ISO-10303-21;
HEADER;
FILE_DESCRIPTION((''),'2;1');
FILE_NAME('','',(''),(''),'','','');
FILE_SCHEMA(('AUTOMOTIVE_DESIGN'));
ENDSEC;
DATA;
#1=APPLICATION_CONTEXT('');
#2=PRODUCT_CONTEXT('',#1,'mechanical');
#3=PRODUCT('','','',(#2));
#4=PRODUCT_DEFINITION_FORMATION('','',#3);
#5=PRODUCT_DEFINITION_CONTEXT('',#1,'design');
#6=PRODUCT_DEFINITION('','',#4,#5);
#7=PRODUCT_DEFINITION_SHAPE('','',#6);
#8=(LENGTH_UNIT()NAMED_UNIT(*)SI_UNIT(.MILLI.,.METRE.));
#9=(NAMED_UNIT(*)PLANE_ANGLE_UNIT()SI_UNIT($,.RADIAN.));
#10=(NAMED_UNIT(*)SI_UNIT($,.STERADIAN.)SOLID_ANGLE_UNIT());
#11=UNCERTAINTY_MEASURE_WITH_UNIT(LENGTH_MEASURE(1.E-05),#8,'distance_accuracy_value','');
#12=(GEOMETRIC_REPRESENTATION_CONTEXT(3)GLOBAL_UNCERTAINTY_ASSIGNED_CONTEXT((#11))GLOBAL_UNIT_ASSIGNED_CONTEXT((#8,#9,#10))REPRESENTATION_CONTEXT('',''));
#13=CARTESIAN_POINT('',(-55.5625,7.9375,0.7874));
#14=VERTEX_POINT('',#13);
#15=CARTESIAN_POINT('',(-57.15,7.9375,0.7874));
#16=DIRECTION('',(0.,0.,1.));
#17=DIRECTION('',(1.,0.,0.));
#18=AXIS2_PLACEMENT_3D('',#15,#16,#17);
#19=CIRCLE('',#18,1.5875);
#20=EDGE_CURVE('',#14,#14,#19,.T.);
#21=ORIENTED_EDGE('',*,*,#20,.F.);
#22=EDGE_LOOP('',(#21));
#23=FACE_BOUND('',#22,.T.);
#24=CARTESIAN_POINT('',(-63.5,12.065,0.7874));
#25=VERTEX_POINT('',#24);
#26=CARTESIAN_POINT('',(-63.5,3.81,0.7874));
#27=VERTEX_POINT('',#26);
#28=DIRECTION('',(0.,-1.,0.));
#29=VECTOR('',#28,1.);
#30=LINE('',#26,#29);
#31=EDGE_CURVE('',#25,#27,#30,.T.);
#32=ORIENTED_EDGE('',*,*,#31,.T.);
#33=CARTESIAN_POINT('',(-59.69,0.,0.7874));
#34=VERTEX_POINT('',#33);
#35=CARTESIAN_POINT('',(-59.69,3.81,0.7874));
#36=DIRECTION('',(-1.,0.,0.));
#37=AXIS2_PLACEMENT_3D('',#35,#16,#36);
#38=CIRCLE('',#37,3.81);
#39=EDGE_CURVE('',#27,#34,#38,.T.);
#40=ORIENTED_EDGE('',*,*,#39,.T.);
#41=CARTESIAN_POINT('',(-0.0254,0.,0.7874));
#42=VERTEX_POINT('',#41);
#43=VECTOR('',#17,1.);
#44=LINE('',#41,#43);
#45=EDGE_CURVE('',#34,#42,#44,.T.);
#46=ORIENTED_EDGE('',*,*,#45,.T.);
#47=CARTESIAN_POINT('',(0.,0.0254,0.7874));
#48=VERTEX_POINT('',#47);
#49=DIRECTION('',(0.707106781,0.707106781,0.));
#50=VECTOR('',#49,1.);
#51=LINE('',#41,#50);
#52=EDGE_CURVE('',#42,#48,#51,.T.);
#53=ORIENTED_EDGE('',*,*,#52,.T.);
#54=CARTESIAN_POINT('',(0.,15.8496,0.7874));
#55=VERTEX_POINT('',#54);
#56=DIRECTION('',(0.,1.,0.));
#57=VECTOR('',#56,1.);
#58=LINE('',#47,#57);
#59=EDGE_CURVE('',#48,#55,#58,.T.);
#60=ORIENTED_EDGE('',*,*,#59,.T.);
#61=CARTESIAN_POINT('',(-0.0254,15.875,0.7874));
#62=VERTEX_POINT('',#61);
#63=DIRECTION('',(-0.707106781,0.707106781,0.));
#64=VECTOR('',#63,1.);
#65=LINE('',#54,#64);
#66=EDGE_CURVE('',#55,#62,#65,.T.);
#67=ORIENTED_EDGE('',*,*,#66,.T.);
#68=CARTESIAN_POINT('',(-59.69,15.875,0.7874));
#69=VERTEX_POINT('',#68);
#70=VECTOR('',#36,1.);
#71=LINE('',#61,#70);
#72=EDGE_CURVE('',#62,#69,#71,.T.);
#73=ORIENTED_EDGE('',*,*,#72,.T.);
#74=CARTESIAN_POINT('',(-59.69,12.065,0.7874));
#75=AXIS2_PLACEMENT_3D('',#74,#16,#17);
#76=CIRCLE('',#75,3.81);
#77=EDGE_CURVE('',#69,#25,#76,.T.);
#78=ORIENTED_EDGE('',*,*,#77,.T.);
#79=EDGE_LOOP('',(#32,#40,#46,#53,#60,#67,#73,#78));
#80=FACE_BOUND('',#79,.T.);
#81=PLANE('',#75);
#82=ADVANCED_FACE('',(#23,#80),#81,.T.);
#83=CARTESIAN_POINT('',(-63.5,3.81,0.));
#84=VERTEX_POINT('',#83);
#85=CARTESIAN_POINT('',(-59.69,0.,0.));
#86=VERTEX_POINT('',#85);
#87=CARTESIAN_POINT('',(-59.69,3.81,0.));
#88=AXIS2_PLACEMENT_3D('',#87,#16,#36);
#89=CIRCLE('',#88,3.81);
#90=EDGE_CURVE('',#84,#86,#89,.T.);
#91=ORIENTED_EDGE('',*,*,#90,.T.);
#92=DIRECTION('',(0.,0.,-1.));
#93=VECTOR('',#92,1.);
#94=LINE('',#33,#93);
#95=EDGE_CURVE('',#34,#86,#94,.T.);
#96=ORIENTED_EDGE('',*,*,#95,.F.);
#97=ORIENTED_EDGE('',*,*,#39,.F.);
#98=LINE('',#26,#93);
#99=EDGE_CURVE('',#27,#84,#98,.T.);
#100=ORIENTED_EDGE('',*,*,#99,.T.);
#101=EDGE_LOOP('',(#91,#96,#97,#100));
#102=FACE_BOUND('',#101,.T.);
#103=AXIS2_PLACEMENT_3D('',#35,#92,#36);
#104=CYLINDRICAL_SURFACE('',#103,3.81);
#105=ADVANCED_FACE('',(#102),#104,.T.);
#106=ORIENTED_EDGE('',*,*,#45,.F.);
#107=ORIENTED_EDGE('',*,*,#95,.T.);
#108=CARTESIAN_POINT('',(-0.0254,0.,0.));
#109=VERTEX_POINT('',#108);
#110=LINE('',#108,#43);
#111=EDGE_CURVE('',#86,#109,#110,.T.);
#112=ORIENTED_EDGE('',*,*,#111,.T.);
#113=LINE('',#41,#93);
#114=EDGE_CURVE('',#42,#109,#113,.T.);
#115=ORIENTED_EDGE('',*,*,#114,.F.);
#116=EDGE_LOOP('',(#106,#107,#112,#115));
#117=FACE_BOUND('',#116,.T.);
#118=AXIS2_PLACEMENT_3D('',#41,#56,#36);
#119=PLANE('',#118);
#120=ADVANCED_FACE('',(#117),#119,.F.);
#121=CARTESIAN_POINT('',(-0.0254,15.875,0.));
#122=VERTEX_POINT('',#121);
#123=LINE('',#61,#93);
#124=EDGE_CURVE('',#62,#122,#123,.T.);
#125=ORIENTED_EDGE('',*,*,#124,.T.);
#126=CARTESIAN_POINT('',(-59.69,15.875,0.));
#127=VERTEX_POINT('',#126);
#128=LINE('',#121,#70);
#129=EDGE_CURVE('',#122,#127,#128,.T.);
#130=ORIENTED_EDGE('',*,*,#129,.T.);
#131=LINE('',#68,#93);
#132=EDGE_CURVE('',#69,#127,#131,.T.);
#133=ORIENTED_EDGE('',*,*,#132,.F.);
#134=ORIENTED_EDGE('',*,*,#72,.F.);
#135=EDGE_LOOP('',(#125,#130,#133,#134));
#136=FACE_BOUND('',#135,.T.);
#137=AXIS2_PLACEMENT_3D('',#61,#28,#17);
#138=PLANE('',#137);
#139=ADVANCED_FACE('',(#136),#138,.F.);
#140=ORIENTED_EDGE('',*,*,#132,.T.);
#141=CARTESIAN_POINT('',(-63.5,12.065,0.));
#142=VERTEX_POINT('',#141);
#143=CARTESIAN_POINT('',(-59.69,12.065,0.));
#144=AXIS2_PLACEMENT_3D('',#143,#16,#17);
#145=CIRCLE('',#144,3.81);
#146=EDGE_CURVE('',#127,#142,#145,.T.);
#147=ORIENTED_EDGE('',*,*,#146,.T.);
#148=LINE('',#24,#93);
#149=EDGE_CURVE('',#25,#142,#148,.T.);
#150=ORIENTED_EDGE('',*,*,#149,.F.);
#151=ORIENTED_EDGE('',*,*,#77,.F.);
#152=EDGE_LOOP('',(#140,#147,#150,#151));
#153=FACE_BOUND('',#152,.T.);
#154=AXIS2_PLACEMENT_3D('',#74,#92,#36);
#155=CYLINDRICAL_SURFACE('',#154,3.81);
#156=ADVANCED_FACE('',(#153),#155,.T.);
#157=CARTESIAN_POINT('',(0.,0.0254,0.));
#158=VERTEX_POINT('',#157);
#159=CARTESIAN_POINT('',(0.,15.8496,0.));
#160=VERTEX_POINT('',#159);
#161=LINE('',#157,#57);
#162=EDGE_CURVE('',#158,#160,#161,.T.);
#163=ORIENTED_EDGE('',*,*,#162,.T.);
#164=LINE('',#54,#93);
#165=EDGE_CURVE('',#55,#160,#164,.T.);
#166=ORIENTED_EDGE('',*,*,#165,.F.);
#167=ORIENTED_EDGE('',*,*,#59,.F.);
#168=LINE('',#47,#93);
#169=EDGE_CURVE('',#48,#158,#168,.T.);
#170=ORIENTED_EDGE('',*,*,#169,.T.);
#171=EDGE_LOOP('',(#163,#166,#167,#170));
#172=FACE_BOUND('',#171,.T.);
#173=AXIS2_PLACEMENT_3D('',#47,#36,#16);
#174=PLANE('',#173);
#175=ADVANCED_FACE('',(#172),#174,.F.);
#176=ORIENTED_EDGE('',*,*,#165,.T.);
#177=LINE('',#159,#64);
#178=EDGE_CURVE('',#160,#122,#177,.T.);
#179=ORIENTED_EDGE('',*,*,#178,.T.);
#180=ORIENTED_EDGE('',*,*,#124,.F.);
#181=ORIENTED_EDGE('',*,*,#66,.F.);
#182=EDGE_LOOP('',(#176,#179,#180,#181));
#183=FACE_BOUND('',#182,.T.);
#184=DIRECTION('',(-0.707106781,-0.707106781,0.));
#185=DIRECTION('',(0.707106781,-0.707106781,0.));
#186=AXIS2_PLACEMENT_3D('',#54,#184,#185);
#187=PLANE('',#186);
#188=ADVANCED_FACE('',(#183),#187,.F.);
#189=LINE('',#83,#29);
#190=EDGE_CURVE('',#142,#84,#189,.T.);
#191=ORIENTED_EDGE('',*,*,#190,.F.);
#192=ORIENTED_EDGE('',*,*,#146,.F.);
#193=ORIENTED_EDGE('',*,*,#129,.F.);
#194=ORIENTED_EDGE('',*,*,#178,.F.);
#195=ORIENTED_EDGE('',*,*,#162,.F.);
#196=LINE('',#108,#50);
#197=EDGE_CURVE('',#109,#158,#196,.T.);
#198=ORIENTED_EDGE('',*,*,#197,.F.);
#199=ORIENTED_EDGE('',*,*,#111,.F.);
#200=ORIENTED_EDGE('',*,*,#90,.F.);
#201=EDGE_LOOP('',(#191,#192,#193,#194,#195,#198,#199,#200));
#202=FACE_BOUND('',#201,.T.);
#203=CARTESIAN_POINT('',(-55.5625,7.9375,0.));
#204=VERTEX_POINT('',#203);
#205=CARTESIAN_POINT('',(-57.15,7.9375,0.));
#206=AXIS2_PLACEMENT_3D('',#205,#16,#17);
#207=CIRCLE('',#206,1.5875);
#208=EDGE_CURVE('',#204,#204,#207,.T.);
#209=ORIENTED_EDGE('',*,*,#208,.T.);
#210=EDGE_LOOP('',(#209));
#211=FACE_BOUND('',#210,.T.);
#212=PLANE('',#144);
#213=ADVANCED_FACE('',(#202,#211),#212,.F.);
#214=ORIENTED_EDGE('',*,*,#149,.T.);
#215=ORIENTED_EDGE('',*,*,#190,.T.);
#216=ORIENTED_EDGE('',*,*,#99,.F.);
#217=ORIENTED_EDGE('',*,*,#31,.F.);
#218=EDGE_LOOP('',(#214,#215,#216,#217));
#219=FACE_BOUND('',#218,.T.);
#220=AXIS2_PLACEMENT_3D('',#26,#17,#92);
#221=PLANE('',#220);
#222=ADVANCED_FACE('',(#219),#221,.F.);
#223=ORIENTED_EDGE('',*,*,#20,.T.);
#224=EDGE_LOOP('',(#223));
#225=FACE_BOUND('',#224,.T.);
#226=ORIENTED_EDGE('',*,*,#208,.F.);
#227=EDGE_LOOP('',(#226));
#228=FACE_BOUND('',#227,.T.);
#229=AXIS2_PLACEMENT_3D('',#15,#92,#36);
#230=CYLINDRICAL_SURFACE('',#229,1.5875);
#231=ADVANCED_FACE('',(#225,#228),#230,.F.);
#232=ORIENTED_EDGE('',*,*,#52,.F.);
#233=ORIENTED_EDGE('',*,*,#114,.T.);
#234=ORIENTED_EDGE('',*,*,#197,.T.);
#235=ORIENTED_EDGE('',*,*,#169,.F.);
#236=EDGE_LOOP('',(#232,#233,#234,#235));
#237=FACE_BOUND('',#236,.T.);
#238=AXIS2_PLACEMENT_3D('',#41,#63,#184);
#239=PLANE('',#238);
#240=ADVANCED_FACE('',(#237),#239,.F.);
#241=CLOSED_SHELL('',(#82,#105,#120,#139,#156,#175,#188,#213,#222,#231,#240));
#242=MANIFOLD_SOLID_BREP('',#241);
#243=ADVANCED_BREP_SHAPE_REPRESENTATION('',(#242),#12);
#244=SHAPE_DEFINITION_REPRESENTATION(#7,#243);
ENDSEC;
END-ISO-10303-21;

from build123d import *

# Parameters (mm, degrees)
SKETCH1_R      = 1.5875
EXTRUDE1_DEPTH = 0.7874


with BuildPart() as part:
    # Sketch1 → Extrude1 (new body)
    with BuildSketch(Plane.XY):
        with BuildLine():
            Line((0, 15.8496), (-0.0254, 15.875))
            Line((-0.0254, 15.875), (-59.69, 15.875))
            ThreePointArc((-59.69, 15.875), (-62.384076836, 14.759076836), (-63.5, 12.065))
            Line((-63.5, 12.065), (-63.5, 3.81))
            ThreePointArc((-63.5, 3.81), (-62.384076836, 1.115923164), (-59.69, 0))
            Line((-59.69, 0), (-0.0254, 0))
            Line((-0.0254, 0), (0, 0.0254))
            Line((0, 0.0254), (0, 15.8496))
        make_face()
        with Locations((-57.15, 7.9375)):
            Circle(SKETCH1_R, mode=Mode.SUBTRACT)
    extrude(amount=EXTRUDE1_DEPTH)


solid = part.part
